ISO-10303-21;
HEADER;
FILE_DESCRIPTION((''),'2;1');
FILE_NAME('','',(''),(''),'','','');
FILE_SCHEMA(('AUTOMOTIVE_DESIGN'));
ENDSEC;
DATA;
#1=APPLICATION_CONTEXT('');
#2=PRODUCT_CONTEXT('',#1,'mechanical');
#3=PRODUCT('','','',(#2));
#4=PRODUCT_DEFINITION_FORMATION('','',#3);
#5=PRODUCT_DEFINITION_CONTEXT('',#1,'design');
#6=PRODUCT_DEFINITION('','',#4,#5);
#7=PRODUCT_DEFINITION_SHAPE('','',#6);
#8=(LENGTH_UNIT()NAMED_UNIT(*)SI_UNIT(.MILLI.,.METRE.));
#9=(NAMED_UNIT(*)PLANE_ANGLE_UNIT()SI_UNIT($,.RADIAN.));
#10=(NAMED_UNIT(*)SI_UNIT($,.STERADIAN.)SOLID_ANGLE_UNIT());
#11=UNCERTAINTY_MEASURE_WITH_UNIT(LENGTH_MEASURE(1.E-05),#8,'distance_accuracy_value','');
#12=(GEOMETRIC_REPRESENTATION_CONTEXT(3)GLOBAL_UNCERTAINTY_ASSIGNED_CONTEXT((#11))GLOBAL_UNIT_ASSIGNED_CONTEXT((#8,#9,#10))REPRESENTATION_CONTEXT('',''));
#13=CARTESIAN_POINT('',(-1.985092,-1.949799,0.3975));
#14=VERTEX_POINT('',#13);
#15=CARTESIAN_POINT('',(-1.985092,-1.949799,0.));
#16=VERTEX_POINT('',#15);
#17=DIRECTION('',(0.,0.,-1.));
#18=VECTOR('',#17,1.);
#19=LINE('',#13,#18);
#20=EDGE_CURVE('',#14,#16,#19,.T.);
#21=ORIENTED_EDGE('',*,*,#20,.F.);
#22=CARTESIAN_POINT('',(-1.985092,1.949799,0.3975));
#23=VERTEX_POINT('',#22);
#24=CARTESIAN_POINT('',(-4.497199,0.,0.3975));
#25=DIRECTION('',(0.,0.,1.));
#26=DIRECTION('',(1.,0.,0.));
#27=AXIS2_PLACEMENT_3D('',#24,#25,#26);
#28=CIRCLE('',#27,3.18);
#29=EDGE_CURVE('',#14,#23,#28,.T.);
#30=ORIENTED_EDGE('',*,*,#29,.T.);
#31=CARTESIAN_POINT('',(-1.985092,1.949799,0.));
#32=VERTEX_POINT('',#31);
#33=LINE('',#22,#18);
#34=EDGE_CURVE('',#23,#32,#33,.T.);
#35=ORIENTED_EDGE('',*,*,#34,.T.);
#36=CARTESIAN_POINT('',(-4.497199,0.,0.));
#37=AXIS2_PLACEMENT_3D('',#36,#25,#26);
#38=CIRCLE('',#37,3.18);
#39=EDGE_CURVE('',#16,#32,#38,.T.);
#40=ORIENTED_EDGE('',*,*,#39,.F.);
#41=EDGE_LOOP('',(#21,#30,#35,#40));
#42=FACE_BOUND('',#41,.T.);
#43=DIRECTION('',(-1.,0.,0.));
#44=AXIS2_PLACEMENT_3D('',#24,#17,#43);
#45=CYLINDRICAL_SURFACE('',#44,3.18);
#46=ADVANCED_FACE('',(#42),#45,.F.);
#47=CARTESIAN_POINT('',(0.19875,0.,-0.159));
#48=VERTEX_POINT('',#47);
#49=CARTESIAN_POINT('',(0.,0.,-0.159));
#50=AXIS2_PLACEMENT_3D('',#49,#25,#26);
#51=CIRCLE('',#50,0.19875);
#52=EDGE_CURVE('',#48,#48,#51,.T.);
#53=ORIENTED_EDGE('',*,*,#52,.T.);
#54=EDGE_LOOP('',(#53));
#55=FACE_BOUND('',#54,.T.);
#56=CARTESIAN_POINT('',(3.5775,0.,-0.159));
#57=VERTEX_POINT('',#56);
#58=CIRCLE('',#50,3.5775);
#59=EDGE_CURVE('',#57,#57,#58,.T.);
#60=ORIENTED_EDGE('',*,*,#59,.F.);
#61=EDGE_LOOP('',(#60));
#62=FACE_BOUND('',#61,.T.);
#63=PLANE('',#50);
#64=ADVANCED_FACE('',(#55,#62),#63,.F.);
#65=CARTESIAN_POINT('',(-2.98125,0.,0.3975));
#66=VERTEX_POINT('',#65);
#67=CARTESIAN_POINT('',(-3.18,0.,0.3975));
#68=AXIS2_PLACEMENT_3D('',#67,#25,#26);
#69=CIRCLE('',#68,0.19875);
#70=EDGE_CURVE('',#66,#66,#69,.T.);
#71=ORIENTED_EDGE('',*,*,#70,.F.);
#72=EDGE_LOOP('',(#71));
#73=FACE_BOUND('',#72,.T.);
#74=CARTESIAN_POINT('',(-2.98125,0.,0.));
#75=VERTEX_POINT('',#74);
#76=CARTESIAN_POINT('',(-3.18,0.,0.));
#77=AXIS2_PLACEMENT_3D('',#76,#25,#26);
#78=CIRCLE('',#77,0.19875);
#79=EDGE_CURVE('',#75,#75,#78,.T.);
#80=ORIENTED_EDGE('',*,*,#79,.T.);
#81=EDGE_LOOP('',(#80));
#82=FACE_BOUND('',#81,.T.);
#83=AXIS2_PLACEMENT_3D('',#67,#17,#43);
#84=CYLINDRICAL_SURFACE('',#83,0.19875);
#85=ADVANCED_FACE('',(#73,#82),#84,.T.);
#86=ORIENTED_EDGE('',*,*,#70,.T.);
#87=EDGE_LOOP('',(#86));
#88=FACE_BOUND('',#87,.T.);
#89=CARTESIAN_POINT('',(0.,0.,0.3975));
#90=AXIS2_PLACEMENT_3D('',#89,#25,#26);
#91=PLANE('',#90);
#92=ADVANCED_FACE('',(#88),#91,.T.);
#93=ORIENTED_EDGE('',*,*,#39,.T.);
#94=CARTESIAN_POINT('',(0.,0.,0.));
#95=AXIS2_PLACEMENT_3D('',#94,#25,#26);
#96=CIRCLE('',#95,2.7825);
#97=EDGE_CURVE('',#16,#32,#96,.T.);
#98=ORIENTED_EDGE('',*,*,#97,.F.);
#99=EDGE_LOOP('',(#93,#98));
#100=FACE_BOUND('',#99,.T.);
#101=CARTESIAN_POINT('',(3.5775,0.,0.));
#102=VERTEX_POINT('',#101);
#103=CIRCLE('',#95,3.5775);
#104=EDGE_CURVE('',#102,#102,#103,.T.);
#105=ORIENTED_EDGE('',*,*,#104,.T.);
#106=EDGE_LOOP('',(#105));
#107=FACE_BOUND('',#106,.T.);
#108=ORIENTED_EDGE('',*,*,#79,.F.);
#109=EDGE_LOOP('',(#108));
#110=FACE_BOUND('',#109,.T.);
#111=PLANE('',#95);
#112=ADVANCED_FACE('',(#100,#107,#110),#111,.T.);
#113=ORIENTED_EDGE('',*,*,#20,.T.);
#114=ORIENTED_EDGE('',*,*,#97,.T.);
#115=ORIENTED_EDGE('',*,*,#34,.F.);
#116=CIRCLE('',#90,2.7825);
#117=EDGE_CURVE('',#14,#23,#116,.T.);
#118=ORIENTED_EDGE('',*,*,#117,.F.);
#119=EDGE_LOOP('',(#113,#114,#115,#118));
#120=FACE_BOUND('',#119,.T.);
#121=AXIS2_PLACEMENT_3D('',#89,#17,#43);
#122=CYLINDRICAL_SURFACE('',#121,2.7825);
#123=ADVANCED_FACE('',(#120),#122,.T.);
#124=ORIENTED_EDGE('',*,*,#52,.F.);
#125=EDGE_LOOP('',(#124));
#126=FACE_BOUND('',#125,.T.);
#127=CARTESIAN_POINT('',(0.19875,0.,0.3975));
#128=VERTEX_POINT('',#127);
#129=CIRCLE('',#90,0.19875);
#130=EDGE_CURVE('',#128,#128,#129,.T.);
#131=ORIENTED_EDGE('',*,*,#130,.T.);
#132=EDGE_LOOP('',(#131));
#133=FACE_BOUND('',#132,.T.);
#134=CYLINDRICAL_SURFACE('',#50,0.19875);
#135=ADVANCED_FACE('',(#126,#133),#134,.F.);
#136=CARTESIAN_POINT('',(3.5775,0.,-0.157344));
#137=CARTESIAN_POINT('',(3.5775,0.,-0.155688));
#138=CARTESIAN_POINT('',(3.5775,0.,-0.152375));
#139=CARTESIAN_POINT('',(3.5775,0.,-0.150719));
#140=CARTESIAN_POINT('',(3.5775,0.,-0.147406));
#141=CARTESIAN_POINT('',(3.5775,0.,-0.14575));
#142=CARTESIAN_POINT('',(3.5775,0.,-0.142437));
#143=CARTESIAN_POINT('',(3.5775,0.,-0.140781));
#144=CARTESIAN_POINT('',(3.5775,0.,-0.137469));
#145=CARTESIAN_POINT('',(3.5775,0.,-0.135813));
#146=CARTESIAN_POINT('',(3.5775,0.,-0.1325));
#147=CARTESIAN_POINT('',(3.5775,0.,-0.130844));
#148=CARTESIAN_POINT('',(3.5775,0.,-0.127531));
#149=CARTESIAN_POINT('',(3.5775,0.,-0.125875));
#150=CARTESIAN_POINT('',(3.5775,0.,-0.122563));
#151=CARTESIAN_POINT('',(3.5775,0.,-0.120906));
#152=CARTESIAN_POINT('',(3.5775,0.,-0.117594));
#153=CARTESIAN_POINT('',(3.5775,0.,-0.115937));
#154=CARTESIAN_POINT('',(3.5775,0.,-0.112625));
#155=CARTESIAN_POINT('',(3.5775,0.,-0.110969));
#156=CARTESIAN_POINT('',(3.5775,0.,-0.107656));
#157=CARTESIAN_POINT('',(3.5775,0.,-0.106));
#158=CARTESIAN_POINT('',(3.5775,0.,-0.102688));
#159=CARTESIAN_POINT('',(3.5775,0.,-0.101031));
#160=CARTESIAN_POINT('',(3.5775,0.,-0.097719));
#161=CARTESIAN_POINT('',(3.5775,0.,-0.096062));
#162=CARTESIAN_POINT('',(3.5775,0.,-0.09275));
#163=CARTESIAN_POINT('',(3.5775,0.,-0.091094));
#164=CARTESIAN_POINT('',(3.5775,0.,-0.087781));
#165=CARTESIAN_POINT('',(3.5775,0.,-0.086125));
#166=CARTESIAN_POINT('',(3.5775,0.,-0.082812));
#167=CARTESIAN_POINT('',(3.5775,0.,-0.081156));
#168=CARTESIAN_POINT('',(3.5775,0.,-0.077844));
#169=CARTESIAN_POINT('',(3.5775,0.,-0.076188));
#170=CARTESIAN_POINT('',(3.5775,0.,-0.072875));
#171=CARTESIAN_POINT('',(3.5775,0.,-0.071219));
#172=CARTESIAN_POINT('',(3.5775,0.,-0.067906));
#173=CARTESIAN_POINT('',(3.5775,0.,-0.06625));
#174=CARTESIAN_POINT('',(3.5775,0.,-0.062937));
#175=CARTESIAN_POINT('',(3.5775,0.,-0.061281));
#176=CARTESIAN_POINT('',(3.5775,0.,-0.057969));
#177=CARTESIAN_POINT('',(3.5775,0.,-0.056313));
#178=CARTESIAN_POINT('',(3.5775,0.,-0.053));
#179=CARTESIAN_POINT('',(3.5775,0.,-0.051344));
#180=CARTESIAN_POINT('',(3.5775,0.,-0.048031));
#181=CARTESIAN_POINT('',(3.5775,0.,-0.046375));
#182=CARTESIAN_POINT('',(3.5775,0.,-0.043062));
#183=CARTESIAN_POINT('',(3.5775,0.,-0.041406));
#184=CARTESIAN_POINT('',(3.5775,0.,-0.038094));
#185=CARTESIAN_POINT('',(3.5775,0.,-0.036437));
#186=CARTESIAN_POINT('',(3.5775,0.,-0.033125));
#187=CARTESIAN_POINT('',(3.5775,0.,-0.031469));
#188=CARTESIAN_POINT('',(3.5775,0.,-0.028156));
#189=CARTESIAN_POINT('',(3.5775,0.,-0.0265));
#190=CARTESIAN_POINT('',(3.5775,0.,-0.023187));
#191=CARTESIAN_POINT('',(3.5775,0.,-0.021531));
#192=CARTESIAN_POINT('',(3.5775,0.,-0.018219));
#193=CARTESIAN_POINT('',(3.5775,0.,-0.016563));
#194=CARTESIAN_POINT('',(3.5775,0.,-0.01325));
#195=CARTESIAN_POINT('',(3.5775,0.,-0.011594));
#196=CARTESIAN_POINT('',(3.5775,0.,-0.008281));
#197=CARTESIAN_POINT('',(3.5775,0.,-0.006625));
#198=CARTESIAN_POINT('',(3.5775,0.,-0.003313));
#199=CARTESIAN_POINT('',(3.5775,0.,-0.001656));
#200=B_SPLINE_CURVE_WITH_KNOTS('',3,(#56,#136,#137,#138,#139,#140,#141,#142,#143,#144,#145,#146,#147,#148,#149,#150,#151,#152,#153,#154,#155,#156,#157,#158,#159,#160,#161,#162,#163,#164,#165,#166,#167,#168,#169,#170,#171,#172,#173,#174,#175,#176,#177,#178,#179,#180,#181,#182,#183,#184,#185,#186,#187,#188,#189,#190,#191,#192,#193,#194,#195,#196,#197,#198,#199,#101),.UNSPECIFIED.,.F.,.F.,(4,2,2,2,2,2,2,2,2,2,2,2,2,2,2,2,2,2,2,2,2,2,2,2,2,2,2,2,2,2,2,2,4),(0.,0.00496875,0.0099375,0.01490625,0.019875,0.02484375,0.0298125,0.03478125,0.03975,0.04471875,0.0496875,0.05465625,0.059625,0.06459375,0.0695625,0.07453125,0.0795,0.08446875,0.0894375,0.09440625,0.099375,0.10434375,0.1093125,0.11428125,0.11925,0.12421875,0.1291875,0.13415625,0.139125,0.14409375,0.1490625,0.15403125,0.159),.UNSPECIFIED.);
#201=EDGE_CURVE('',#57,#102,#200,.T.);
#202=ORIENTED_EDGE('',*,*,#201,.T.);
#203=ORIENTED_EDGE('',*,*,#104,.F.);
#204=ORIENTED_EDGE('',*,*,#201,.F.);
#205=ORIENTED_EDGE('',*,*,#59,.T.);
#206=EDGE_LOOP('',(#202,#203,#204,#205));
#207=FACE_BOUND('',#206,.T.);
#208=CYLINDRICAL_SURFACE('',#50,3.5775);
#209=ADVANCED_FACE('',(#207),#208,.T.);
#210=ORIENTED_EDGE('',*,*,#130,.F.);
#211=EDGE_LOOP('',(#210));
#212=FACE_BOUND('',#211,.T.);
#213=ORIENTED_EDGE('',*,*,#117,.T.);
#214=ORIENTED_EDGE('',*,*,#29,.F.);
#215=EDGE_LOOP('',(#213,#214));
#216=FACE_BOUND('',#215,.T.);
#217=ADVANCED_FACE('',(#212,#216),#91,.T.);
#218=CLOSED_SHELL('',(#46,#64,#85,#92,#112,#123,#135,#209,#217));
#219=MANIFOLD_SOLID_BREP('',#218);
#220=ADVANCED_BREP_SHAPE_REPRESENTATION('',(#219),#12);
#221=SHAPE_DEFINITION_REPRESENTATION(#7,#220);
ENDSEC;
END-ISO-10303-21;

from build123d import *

# Parameters (mm, degrees)
SKETCH_1_R      = 3.5775
SKETCH_1_R_2    = 0.19875
EXTRUDE_2_DEPTH = 0.159
EXTRUDE_START   = 0.3975
SKETCH_1_6_R    = 0.19875
EXTRUDE_3_DEPTH = 0.3975


with BuildPart() as part:
    # 草图1 → 凸台-拉伸2 (new body)
    with BuildSketch(Plane.XY):
        Circle(SKETCH_1_R)
        Circle(SKETCH_1_R_2, mode=Mode.SUBTRACT)
    extrude(amount=-EXTRUDE_2_DEPTH)

    # 草图1<6> → 凸台-拉伸3 (add)
    # profile 1 of 2: a face of its own
    with BuildSketch(Plane.XY.offset(EXTRUDE_START)):
        with BuildLine():
            ThreePointArc((-1.985091803, 1.949799165), (-1.317199128, 0), (-1.985091803, -1.949799165))
            ThreePointArc((-1.985091803, -1.949799165), (2.7825, 0), (-1.985091803, 1.949799165))
        make_face()
        Circle(SKETCH_1_6_R, mode=Mode.SUBTRACT)
    # profile 2 of 2: a face of its own
    with BuildSketch(Plane.XY.offset(EXTRUDE_START)):
        with Locations((-3.18, 0)):
            Circle(SKETCH_1_6_R)
    extrude(amount=-EXTRUDE_3_DEPTH)


solid = part.part
